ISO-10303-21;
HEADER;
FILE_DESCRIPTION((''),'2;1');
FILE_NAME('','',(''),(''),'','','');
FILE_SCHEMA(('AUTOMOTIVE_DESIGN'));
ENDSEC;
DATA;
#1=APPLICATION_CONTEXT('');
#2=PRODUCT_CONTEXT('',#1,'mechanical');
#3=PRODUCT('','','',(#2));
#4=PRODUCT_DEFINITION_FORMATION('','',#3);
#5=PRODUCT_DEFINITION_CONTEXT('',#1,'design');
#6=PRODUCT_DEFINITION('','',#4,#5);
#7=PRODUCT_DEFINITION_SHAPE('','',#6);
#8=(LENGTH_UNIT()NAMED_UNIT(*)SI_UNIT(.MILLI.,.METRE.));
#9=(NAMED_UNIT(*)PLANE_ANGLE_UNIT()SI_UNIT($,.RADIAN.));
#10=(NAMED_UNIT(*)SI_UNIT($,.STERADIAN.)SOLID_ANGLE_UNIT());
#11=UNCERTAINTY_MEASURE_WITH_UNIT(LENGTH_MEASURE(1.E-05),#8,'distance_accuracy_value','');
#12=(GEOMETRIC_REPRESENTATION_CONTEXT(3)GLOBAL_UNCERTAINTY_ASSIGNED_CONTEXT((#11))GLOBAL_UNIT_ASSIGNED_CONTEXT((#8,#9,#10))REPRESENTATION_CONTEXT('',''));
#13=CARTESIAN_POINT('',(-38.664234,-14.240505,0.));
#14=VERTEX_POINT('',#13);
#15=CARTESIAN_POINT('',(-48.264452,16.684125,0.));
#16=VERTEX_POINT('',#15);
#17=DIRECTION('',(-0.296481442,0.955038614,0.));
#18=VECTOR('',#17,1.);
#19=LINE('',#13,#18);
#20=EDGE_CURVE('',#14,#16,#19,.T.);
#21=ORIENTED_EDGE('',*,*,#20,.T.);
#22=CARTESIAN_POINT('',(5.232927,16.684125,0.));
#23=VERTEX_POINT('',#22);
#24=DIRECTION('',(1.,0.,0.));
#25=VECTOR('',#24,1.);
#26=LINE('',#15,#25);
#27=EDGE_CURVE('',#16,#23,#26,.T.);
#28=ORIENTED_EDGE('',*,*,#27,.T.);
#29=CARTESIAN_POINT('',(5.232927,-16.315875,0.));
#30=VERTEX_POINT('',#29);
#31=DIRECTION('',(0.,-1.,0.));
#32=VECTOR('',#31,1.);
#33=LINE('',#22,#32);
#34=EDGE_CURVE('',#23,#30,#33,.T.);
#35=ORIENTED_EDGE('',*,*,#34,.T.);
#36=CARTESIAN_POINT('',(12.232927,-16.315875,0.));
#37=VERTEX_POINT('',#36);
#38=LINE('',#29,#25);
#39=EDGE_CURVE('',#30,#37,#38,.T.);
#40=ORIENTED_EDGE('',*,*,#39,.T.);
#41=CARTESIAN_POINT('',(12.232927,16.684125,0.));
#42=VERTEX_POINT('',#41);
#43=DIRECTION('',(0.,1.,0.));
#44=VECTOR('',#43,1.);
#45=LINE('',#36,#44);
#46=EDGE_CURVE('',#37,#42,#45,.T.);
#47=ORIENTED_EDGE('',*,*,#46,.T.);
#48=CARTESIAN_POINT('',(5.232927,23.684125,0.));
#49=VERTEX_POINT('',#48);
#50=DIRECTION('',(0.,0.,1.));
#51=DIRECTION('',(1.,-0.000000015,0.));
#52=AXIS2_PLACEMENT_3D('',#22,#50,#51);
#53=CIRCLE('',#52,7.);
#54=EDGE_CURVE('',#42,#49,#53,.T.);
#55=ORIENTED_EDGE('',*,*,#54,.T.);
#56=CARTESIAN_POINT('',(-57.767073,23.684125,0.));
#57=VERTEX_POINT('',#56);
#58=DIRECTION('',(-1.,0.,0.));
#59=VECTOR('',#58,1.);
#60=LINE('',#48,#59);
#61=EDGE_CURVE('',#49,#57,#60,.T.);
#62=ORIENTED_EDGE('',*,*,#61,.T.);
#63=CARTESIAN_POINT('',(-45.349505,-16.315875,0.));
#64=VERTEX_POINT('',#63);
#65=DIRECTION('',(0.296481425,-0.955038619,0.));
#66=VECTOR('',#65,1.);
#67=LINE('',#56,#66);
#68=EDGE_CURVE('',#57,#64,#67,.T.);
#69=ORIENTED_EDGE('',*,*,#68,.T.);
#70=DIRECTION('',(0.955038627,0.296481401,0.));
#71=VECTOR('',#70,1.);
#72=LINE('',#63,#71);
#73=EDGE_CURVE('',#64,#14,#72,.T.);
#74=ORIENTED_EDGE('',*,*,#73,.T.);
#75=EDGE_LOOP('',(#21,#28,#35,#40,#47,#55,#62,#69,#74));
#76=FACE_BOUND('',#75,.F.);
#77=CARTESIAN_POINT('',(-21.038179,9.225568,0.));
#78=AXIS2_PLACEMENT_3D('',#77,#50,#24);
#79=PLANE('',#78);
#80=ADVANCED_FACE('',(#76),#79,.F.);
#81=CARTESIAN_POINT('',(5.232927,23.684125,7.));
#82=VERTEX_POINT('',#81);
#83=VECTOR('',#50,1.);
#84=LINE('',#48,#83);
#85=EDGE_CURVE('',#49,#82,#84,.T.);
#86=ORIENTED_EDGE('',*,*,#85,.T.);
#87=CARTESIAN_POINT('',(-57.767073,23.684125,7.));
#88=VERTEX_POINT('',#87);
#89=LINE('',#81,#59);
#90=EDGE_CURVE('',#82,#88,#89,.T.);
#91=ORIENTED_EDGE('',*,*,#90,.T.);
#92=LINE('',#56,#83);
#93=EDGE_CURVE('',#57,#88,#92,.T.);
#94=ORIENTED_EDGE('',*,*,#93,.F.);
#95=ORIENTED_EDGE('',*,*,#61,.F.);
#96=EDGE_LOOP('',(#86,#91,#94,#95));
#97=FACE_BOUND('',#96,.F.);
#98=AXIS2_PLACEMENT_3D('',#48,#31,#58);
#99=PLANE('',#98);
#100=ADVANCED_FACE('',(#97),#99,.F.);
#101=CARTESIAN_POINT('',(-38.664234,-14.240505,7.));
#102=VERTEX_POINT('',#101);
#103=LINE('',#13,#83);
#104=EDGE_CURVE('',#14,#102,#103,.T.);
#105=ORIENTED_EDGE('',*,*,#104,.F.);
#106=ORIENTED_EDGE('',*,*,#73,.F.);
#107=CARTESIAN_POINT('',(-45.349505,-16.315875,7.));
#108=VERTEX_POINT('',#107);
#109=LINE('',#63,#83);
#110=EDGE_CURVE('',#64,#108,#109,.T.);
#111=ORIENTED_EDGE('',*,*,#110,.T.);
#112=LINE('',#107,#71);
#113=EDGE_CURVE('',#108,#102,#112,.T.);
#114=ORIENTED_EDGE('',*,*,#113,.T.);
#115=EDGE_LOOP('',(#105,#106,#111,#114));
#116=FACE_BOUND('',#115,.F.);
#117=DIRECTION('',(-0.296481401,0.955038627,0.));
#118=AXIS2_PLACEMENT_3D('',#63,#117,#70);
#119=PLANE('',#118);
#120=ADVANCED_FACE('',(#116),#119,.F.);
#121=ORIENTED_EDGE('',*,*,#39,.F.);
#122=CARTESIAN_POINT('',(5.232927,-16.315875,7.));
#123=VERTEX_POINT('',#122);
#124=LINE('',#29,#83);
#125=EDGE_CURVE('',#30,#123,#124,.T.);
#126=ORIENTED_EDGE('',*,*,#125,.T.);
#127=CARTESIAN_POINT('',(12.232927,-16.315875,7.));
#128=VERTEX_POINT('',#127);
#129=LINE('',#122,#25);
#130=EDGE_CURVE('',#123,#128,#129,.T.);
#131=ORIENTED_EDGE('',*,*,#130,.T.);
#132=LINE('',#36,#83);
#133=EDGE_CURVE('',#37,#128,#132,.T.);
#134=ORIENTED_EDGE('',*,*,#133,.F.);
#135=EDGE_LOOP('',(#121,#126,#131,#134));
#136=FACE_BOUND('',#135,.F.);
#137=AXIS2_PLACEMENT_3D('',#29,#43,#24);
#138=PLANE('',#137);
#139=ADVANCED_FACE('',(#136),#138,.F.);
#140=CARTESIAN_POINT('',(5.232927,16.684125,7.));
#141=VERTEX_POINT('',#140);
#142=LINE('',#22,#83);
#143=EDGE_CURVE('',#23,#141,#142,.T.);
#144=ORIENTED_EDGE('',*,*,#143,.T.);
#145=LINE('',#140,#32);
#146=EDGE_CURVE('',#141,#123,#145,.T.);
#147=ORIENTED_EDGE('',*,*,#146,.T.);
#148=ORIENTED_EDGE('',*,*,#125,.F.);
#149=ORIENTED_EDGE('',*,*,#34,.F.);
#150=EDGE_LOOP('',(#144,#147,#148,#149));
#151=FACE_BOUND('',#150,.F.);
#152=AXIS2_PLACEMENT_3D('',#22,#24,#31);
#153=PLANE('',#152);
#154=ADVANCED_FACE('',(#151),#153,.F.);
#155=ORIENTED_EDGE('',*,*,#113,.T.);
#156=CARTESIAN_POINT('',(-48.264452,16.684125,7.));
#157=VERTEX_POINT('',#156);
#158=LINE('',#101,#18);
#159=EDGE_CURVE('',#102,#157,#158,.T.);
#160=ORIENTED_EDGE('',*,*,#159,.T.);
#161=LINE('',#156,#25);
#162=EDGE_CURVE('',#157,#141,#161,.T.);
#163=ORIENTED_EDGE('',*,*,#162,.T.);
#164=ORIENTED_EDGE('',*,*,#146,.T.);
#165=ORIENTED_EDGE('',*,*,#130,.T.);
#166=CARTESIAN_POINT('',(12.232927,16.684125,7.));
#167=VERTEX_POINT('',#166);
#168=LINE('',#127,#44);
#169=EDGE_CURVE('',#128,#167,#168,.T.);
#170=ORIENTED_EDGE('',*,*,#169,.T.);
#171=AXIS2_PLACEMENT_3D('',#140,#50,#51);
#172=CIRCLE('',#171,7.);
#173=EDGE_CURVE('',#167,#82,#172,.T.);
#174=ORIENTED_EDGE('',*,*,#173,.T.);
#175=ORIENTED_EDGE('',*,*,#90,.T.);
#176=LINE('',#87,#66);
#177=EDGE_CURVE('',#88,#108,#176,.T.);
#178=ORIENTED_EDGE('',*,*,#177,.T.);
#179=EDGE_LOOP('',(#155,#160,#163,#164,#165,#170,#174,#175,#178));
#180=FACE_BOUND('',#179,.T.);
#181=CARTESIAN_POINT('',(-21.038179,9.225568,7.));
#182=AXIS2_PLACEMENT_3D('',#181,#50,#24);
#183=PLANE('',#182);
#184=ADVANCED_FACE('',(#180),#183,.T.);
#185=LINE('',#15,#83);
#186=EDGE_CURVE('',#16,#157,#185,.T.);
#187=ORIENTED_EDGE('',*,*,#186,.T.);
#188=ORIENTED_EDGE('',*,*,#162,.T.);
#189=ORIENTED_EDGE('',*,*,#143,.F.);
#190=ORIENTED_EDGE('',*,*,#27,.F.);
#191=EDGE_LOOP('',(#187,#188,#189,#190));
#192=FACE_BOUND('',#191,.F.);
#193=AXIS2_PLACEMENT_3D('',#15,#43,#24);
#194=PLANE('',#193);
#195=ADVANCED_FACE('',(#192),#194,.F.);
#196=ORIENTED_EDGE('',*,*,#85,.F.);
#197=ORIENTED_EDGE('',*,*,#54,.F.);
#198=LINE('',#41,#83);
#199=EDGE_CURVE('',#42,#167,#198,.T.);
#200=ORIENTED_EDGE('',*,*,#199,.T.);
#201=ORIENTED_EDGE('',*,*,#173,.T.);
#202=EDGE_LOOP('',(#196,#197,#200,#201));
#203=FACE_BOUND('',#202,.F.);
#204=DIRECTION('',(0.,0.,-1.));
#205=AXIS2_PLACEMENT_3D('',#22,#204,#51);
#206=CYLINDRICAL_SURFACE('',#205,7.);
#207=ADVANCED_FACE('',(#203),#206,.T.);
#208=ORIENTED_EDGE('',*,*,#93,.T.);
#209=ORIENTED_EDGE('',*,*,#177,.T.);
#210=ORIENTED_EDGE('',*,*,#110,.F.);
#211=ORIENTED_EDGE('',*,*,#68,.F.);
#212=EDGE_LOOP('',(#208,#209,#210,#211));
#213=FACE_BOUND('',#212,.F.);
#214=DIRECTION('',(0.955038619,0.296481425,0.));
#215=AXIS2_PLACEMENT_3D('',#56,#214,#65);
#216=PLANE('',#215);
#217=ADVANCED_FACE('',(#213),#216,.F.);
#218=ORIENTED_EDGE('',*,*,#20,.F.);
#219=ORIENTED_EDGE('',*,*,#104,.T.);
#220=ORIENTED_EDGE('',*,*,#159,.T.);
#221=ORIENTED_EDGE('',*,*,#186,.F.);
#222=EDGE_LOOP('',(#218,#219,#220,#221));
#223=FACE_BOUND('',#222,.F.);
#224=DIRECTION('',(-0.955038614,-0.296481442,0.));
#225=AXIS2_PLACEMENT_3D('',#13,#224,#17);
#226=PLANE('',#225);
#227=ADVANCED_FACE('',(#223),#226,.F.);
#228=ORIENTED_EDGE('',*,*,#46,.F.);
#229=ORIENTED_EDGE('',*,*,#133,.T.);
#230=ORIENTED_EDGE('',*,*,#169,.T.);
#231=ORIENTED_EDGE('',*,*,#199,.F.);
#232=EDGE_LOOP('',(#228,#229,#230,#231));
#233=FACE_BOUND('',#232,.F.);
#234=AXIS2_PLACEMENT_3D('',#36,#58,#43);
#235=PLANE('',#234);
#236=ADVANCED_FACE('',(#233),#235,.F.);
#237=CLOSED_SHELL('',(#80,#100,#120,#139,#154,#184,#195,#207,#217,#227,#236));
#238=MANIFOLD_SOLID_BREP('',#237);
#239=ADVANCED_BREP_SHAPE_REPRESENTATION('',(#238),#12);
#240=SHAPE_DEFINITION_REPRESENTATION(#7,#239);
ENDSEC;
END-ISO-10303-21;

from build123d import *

# Parameters (mm, degrees)
F1_DEPTH = 7


with BuildPart() as f1:
    # F0 (on Top) → F1 (new body)
    with BuildSketch(Plane.XY):
        with BuildLine():
            Line((5.232927, 16.684125), (5.232927, -16.315875))
            Line((5.232927, -16.315875), (12.232927, -16.315875))
            Line((12.232927, -16.315875), (12.232927, 16.684125))
            ThreePointArc((12.232927, 16.684125), (10.182675, 21.633872), (5.232927, 23.684125))
            Line((5.232927, 23.684125), (-57.767073, 23.684125))
            Line((-57.767073, 23.684125), (-45.349505, -16.315875))
            Line((-45.349505, -16.315875), (-38.664234, -14.240505))
            Line((-38.664234, -14.240505), (-48.264452, 16.684125))
            Line((-48.264452, 16.684125), (5.232927, 16.684125))
        make_face()
    extrude(amount=F1_DEPTH)


solid = f1.part
